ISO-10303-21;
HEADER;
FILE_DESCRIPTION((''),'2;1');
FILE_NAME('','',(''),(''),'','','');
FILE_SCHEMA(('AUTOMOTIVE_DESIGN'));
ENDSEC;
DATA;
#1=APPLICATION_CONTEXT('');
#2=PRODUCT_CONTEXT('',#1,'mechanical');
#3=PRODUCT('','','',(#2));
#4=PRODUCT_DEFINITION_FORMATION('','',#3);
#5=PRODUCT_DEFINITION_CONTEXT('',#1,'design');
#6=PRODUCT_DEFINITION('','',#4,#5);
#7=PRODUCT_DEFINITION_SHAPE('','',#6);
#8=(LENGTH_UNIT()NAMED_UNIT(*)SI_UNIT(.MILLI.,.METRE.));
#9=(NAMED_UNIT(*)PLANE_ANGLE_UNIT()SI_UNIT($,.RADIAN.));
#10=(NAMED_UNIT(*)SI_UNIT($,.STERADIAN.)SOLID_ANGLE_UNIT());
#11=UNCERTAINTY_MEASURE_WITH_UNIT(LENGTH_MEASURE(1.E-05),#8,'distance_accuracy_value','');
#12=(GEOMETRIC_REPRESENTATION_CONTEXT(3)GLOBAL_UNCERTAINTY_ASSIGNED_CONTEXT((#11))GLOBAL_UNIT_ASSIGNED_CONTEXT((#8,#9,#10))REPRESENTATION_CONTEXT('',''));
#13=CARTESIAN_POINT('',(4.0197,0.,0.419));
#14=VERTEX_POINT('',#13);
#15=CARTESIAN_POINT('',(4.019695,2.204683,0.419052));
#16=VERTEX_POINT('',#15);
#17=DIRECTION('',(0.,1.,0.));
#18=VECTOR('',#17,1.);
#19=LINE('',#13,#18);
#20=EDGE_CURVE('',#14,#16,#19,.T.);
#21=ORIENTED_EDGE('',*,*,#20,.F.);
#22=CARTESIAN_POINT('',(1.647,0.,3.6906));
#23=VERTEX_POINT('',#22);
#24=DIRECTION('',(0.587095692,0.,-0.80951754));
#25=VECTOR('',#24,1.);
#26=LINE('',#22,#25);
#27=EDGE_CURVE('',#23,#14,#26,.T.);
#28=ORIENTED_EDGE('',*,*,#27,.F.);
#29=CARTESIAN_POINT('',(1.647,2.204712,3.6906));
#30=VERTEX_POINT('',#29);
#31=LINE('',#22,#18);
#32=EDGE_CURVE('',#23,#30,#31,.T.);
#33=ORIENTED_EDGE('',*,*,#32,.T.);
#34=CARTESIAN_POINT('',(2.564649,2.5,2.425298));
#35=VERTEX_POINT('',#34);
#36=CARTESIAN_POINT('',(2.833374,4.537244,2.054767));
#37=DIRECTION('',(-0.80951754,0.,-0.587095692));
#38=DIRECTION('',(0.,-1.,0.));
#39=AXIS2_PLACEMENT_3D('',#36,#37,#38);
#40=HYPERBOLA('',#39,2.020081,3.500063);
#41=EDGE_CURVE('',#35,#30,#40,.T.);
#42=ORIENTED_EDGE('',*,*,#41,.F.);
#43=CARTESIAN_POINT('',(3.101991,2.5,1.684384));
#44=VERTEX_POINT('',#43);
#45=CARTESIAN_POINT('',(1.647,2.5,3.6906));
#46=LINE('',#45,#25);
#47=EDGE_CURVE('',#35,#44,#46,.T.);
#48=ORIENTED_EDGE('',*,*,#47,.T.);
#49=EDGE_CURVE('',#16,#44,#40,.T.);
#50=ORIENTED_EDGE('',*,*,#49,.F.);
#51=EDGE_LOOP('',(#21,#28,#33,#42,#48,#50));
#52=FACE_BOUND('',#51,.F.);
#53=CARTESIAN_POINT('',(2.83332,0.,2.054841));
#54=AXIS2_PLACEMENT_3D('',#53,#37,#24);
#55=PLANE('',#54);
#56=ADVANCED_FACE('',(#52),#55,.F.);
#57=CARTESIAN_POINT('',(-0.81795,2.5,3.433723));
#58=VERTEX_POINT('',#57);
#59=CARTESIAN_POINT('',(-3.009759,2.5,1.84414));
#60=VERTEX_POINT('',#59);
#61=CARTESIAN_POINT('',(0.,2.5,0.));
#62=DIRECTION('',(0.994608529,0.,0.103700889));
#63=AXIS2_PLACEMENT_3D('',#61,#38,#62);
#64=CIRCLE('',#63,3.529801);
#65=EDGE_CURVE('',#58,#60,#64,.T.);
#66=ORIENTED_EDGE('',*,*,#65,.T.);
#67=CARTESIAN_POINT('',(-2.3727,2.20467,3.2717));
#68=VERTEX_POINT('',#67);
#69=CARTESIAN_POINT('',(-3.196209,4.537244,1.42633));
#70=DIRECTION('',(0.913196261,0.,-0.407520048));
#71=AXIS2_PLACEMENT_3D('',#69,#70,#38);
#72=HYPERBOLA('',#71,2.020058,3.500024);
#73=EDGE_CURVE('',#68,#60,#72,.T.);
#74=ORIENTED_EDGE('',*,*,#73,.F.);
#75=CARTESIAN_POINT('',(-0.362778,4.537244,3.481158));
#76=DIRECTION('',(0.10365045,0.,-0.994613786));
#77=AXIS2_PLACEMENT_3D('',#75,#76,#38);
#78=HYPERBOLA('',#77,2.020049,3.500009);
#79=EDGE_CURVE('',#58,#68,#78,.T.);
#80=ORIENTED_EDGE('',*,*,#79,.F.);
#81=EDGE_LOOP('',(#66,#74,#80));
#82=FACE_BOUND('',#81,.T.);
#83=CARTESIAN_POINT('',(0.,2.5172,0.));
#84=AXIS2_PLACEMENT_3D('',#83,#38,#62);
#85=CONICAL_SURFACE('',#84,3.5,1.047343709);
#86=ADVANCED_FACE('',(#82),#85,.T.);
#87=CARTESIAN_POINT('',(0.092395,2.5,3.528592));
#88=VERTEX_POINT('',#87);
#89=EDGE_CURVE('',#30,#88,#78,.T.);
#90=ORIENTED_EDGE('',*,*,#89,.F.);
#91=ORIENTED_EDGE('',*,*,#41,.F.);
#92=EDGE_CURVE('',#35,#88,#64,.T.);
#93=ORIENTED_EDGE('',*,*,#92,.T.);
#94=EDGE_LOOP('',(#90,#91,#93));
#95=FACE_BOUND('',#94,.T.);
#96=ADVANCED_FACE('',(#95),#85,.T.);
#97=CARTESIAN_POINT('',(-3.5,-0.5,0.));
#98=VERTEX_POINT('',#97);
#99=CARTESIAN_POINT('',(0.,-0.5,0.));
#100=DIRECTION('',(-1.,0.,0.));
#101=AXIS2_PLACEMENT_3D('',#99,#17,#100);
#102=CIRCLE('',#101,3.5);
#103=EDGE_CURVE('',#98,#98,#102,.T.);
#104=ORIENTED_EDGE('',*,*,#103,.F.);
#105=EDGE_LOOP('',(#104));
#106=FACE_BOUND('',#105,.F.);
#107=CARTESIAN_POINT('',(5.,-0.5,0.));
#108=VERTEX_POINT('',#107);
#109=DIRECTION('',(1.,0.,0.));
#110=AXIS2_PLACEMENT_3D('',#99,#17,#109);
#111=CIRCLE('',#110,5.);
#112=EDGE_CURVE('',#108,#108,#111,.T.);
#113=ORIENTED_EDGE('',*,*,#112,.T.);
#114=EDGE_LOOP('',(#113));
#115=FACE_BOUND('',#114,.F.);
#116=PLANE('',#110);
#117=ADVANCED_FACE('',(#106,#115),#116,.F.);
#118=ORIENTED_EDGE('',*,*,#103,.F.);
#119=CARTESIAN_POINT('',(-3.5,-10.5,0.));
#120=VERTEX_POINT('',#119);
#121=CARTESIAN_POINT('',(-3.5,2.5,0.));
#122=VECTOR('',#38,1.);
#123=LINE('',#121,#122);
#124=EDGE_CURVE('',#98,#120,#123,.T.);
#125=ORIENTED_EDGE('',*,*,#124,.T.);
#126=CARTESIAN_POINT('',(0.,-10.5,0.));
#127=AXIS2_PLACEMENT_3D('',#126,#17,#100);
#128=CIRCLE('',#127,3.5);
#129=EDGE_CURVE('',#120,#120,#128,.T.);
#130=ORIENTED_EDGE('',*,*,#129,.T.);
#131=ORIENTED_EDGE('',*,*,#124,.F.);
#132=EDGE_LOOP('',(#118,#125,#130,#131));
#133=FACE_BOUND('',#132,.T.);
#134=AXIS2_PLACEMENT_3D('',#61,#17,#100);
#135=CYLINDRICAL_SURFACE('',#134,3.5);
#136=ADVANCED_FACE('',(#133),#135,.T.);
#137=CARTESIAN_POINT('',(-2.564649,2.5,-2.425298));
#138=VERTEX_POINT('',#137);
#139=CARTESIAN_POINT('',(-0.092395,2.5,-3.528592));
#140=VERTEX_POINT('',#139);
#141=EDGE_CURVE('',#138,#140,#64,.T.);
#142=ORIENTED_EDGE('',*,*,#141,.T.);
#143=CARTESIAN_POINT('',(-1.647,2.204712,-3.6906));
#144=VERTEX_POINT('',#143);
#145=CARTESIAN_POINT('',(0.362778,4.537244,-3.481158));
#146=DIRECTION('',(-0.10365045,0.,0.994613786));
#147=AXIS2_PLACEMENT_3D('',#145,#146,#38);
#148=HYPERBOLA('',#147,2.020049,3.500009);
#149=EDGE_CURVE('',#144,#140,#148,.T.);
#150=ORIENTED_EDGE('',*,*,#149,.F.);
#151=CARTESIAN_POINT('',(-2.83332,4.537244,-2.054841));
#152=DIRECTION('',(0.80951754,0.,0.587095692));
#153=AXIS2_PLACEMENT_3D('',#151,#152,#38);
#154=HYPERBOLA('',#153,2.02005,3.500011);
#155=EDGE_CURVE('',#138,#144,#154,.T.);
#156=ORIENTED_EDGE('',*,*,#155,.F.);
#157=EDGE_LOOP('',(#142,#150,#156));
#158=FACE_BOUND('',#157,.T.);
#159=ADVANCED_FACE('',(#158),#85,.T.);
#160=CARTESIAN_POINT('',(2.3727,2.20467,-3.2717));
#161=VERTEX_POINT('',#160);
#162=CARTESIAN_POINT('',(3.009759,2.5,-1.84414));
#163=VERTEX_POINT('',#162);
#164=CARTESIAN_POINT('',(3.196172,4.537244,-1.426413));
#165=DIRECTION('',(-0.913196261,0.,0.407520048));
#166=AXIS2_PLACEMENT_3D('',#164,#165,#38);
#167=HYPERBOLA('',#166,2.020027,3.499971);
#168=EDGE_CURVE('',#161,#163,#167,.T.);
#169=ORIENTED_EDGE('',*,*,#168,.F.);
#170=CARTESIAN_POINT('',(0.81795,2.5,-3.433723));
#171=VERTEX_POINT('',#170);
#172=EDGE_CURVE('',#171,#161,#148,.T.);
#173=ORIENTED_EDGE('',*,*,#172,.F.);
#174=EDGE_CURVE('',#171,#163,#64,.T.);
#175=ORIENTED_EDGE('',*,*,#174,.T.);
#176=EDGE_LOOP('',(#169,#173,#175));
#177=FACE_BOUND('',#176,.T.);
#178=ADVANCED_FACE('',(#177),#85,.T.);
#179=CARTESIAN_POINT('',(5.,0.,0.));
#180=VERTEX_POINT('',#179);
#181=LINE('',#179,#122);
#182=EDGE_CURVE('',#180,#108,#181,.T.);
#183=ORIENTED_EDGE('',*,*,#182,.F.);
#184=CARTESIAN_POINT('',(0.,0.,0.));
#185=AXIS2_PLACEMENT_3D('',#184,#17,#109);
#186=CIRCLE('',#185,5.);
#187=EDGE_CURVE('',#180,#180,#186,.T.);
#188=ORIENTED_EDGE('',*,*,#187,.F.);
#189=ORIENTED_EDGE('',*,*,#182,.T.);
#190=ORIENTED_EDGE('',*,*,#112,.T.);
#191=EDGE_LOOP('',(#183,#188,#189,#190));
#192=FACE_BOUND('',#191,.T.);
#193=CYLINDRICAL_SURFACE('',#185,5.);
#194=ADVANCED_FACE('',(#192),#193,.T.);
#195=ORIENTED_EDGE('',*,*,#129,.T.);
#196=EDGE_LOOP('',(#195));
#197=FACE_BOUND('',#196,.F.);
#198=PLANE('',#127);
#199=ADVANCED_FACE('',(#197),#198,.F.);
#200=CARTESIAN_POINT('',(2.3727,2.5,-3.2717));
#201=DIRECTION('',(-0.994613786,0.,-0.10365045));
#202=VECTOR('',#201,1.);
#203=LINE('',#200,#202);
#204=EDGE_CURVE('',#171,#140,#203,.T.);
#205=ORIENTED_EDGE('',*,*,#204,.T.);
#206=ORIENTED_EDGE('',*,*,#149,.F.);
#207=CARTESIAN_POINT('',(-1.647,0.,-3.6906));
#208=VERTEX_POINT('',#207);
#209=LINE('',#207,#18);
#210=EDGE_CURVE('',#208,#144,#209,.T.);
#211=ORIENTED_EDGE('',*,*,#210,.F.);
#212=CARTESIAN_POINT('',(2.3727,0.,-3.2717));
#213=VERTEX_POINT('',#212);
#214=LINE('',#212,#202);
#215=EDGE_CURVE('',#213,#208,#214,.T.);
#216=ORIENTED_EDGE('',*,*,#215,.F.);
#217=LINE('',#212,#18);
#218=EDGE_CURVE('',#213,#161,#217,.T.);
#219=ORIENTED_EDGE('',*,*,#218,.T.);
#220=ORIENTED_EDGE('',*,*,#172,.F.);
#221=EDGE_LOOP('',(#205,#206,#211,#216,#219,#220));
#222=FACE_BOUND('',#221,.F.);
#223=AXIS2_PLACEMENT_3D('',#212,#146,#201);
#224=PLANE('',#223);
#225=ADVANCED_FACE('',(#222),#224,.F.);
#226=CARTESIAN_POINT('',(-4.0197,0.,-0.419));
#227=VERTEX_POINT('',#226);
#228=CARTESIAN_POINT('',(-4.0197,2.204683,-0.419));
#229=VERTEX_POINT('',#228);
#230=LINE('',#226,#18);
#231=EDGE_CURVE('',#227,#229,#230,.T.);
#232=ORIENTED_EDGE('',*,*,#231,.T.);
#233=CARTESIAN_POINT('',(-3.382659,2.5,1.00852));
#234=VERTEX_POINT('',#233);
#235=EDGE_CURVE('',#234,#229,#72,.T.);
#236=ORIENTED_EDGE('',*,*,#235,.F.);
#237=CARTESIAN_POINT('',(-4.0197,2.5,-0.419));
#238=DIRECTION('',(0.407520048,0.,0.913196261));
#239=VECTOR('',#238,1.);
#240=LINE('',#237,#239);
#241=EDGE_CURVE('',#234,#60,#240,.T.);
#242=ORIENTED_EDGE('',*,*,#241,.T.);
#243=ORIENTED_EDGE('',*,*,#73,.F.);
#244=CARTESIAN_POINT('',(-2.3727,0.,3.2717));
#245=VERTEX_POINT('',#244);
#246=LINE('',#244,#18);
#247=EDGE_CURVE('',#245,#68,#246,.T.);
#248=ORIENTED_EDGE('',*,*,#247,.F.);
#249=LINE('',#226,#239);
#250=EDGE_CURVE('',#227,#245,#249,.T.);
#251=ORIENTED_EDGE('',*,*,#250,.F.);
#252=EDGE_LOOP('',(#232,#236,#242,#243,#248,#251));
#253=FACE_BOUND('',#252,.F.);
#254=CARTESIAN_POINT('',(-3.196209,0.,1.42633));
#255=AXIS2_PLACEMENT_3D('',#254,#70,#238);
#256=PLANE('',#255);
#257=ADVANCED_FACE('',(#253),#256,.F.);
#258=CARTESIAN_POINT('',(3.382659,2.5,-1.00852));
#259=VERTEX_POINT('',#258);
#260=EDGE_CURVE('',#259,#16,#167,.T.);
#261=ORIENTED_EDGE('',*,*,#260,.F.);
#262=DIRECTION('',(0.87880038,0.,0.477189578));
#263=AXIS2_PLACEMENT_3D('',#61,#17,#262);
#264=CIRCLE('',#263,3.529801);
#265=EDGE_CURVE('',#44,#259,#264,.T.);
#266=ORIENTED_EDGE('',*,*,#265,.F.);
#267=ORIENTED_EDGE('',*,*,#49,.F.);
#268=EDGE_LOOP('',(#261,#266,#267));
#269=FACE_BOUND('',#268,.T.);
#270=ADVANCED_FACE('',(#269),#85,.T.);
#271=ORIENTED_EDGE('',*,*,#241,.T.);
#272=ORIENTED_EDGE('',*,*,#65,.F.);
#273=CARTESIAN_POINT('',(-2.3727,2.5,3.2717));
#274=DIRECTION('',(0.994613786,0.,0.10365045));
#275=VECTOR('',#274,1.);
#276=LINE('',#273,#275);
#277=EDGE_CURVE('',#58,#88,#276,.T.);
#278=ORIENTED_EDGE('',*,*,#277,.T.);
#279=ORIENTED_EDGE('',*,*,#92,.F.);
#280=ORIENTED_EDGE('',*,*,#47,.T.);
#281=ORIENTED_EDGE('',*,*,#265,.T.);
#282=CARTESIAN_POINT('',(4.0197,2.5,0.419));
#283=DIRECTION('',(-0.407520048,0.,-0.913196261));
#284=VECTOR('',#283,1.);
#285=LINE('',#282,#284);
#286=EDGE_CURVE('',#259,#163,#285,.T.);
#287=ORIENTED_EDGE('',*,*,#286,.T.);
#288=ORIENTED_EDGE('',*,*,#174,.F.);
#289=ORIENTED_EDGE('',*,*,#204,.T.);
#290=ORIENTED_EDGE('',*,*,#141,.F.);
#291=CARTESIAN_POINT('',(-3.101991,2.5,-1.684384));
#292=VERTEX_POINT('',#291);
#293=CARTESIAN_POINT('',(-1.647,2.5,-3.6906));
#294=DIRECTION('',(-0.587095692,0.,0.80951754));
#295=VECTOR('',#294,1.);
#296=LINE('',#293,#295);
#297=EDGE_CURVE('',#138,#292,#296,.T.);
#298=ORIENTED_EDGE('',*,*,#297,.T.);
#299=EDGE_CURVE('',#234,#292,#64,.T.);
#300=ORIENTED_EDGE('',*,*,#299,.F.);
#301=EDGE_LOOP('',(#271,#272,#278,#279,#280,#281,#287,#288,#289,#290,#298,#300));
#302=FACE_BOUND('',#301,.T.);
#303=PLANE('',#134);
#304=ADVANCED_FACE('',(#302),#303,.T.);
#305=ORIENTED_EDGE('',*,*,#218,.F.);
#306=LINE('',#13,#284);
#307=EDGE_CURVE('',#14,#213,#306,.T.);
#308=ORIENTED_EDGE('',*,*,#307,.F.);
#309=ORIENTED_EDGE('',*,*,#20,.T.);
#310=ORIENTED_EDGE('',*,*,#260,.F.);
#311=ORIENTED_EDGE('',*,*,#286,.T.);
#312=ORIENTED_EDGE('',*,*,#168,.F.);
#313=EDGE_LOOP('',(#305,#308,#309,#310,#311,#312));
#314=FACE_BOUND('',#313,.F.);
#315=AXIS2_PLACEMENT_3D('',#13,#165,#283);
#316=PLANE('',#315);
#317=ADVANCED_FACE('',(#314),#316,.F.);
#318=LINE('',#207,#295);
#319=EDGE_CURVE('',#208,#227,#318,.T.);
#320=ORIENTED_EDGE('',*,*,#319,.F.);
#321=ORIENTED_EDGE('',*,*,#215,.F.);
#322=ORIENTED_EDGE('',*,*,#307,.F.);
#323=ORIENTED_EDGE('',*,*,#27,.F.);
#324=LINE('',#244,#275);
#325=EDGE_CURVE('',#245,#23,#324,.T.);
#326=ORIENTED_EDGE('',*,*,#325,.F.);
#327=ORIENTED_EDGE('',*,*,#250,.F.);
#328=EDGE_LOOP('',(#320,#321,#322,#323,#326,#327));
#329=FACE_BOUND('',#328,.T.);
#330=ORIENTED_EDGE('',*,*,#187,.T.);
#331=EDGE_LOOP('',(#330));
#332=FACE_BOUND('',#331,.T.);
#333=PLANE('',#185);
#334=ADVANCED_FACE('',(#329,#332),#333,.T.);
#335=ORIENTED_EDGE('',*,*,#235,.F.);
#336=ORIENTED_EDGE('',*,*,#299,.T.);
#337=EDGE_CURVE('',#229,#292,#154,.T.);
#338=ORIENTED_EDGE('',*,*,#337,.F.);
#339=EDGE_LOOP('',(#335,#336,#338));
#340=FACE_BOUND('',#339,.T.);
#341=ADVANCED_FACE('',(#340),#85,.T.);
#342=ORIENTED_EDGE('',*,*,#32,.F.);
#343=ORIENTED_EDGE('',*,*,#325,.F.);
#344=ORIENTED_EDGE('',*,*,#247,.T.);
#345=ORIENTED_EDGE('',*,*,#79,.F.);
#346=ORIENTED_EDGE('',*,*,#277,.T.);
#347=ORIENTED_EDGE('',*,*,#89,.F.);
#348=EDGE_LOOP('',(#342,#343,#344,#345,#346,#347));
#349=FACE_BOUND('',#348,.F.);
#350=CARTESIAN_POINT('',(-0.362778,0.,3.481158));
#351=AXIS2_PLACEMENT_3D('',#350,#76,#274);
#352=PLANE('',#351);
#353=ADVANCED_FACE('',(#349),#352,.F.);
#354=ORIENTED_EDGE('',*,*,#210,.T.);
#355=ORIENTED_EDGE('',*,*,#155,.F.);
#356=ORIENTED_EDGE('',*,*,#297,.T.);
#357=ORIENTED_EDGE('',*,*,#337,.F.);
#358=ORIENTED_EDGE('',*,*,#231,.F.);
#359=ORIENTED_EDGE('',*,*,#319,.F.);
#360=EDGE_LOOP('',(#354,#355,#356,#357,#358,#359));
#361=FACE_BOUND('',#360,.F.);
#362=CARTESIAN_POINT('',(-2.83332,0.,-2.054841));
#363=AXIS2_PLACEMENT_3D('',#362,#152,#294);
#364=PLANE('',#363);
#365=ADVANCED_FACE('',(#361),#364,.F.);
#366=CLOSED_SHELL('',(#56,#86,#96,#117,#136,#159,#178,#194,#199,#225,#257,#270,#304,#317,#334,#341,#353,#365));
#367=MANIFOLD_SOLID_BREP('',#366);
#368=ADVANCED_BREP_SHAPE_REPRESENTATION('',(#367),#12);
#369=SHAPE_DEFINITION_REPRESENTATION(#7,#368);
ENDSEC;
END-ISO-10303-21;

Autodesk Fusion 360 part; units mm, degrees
sketch "Sketch1" plane through (0, 0, 0) normal (0, 1, 0) x (1, 0, 0)
  line L0 (4.0197, -0.419) -> (2.3727, 3.2717)
  line L1 (2.3727, 3.2717) -> (-1.647, 3.6906)
  line L2 (-1.647, 3.6906) -> (-4.0197, 0.419)
  line L3 (-4.0197, 0.419) -> (-2.3727, -3.2717)
  line L4 (-2.3727, -3.2717) -> (1.647, -3.6906)
  line L5 (1.647, -3.6906) -> (4.0197, -0.419)
  circle A0 centre (0, 0) radius 3.5
  dimension "d2" = 7
extrude "Extrude1" add sketch "Sketch1" along normal blind 2.5
sketch "Sketch2" plane through (0, 0, 0) normal (0, 1, 0) x (1, 0, 0)
  circle A0 centre (0, 0) radius 5
  dimension "d5" = 10
extrude "Extrude2" add sketch "Sketch2" against normal blind 0.5
sketch "Sketch3" plane through (0, 2.5, 0) normal (0, 1, 0) x (-1, 0, 0)
  line L0 (-1.647, 3.6906) -> (-4.0197, 0.419)
  line L1 (-4.0197, 0.419) -> (-2.3727, -3.2717)
  line L2 (-2.3727, -3.2717) -> (1.647, -3.6906)
  line L3 (1.647, -3.6906) -> (4.0197, -0.419)
  line L4 (4.0197, -0.419) -> (2.3727, 3.2717)
  line L5 (2.3727, 3.2717) -> (-1.647, 3.6906)
  circle A0 centre (0, 0) radius 3.5
  dimension "d8" = 7
extrude "Extrude3" add sketch "Sketch3" against normal blind 13 contours A0
sketch "Sketch4" plane through (0, 2.5, 0) normal (0, 1, 0) x (-1, 0, 0)
ref_plane "WorkPlane1" through (0, 1.25, 0) normal (-0.1037, 0, 0.9946) x (0.9946, 0, 0.1037)
sketch "Sketch5" plane through (0, 1.25, 0) normal (-0.1037, 0, 0.9946) x (0.9946, 0, 0.1037)
  line L0 (0, 0) -> (0, 1.25)
sketch "Sketch6" plane through (0, 1.25, 0) normal (-0.1037, 0, 0.9946) x (0.9946, 0, 0.1037)
sketch "Sketch7" plane through (0, 1.25, 0) normal (-0.1037, 0, 0.9946) x (0.9946, 0, 0.1037)
  line L0 (4.0463, 1.2672) -> (3.5, 1.2672)
  line L1 (4.0463, 1.2672) -> (4.0463, 0.9519)
  line L2 (3.5, 1.2672) -> (4.0463, 0.9519)
  line L3 (0, 6.5) -> (0, -6)
revolve "Revolve1" cut sketch "Sketch7" angle 360 about axis through (0, 7.75, 0) along (0, -1, 0)
